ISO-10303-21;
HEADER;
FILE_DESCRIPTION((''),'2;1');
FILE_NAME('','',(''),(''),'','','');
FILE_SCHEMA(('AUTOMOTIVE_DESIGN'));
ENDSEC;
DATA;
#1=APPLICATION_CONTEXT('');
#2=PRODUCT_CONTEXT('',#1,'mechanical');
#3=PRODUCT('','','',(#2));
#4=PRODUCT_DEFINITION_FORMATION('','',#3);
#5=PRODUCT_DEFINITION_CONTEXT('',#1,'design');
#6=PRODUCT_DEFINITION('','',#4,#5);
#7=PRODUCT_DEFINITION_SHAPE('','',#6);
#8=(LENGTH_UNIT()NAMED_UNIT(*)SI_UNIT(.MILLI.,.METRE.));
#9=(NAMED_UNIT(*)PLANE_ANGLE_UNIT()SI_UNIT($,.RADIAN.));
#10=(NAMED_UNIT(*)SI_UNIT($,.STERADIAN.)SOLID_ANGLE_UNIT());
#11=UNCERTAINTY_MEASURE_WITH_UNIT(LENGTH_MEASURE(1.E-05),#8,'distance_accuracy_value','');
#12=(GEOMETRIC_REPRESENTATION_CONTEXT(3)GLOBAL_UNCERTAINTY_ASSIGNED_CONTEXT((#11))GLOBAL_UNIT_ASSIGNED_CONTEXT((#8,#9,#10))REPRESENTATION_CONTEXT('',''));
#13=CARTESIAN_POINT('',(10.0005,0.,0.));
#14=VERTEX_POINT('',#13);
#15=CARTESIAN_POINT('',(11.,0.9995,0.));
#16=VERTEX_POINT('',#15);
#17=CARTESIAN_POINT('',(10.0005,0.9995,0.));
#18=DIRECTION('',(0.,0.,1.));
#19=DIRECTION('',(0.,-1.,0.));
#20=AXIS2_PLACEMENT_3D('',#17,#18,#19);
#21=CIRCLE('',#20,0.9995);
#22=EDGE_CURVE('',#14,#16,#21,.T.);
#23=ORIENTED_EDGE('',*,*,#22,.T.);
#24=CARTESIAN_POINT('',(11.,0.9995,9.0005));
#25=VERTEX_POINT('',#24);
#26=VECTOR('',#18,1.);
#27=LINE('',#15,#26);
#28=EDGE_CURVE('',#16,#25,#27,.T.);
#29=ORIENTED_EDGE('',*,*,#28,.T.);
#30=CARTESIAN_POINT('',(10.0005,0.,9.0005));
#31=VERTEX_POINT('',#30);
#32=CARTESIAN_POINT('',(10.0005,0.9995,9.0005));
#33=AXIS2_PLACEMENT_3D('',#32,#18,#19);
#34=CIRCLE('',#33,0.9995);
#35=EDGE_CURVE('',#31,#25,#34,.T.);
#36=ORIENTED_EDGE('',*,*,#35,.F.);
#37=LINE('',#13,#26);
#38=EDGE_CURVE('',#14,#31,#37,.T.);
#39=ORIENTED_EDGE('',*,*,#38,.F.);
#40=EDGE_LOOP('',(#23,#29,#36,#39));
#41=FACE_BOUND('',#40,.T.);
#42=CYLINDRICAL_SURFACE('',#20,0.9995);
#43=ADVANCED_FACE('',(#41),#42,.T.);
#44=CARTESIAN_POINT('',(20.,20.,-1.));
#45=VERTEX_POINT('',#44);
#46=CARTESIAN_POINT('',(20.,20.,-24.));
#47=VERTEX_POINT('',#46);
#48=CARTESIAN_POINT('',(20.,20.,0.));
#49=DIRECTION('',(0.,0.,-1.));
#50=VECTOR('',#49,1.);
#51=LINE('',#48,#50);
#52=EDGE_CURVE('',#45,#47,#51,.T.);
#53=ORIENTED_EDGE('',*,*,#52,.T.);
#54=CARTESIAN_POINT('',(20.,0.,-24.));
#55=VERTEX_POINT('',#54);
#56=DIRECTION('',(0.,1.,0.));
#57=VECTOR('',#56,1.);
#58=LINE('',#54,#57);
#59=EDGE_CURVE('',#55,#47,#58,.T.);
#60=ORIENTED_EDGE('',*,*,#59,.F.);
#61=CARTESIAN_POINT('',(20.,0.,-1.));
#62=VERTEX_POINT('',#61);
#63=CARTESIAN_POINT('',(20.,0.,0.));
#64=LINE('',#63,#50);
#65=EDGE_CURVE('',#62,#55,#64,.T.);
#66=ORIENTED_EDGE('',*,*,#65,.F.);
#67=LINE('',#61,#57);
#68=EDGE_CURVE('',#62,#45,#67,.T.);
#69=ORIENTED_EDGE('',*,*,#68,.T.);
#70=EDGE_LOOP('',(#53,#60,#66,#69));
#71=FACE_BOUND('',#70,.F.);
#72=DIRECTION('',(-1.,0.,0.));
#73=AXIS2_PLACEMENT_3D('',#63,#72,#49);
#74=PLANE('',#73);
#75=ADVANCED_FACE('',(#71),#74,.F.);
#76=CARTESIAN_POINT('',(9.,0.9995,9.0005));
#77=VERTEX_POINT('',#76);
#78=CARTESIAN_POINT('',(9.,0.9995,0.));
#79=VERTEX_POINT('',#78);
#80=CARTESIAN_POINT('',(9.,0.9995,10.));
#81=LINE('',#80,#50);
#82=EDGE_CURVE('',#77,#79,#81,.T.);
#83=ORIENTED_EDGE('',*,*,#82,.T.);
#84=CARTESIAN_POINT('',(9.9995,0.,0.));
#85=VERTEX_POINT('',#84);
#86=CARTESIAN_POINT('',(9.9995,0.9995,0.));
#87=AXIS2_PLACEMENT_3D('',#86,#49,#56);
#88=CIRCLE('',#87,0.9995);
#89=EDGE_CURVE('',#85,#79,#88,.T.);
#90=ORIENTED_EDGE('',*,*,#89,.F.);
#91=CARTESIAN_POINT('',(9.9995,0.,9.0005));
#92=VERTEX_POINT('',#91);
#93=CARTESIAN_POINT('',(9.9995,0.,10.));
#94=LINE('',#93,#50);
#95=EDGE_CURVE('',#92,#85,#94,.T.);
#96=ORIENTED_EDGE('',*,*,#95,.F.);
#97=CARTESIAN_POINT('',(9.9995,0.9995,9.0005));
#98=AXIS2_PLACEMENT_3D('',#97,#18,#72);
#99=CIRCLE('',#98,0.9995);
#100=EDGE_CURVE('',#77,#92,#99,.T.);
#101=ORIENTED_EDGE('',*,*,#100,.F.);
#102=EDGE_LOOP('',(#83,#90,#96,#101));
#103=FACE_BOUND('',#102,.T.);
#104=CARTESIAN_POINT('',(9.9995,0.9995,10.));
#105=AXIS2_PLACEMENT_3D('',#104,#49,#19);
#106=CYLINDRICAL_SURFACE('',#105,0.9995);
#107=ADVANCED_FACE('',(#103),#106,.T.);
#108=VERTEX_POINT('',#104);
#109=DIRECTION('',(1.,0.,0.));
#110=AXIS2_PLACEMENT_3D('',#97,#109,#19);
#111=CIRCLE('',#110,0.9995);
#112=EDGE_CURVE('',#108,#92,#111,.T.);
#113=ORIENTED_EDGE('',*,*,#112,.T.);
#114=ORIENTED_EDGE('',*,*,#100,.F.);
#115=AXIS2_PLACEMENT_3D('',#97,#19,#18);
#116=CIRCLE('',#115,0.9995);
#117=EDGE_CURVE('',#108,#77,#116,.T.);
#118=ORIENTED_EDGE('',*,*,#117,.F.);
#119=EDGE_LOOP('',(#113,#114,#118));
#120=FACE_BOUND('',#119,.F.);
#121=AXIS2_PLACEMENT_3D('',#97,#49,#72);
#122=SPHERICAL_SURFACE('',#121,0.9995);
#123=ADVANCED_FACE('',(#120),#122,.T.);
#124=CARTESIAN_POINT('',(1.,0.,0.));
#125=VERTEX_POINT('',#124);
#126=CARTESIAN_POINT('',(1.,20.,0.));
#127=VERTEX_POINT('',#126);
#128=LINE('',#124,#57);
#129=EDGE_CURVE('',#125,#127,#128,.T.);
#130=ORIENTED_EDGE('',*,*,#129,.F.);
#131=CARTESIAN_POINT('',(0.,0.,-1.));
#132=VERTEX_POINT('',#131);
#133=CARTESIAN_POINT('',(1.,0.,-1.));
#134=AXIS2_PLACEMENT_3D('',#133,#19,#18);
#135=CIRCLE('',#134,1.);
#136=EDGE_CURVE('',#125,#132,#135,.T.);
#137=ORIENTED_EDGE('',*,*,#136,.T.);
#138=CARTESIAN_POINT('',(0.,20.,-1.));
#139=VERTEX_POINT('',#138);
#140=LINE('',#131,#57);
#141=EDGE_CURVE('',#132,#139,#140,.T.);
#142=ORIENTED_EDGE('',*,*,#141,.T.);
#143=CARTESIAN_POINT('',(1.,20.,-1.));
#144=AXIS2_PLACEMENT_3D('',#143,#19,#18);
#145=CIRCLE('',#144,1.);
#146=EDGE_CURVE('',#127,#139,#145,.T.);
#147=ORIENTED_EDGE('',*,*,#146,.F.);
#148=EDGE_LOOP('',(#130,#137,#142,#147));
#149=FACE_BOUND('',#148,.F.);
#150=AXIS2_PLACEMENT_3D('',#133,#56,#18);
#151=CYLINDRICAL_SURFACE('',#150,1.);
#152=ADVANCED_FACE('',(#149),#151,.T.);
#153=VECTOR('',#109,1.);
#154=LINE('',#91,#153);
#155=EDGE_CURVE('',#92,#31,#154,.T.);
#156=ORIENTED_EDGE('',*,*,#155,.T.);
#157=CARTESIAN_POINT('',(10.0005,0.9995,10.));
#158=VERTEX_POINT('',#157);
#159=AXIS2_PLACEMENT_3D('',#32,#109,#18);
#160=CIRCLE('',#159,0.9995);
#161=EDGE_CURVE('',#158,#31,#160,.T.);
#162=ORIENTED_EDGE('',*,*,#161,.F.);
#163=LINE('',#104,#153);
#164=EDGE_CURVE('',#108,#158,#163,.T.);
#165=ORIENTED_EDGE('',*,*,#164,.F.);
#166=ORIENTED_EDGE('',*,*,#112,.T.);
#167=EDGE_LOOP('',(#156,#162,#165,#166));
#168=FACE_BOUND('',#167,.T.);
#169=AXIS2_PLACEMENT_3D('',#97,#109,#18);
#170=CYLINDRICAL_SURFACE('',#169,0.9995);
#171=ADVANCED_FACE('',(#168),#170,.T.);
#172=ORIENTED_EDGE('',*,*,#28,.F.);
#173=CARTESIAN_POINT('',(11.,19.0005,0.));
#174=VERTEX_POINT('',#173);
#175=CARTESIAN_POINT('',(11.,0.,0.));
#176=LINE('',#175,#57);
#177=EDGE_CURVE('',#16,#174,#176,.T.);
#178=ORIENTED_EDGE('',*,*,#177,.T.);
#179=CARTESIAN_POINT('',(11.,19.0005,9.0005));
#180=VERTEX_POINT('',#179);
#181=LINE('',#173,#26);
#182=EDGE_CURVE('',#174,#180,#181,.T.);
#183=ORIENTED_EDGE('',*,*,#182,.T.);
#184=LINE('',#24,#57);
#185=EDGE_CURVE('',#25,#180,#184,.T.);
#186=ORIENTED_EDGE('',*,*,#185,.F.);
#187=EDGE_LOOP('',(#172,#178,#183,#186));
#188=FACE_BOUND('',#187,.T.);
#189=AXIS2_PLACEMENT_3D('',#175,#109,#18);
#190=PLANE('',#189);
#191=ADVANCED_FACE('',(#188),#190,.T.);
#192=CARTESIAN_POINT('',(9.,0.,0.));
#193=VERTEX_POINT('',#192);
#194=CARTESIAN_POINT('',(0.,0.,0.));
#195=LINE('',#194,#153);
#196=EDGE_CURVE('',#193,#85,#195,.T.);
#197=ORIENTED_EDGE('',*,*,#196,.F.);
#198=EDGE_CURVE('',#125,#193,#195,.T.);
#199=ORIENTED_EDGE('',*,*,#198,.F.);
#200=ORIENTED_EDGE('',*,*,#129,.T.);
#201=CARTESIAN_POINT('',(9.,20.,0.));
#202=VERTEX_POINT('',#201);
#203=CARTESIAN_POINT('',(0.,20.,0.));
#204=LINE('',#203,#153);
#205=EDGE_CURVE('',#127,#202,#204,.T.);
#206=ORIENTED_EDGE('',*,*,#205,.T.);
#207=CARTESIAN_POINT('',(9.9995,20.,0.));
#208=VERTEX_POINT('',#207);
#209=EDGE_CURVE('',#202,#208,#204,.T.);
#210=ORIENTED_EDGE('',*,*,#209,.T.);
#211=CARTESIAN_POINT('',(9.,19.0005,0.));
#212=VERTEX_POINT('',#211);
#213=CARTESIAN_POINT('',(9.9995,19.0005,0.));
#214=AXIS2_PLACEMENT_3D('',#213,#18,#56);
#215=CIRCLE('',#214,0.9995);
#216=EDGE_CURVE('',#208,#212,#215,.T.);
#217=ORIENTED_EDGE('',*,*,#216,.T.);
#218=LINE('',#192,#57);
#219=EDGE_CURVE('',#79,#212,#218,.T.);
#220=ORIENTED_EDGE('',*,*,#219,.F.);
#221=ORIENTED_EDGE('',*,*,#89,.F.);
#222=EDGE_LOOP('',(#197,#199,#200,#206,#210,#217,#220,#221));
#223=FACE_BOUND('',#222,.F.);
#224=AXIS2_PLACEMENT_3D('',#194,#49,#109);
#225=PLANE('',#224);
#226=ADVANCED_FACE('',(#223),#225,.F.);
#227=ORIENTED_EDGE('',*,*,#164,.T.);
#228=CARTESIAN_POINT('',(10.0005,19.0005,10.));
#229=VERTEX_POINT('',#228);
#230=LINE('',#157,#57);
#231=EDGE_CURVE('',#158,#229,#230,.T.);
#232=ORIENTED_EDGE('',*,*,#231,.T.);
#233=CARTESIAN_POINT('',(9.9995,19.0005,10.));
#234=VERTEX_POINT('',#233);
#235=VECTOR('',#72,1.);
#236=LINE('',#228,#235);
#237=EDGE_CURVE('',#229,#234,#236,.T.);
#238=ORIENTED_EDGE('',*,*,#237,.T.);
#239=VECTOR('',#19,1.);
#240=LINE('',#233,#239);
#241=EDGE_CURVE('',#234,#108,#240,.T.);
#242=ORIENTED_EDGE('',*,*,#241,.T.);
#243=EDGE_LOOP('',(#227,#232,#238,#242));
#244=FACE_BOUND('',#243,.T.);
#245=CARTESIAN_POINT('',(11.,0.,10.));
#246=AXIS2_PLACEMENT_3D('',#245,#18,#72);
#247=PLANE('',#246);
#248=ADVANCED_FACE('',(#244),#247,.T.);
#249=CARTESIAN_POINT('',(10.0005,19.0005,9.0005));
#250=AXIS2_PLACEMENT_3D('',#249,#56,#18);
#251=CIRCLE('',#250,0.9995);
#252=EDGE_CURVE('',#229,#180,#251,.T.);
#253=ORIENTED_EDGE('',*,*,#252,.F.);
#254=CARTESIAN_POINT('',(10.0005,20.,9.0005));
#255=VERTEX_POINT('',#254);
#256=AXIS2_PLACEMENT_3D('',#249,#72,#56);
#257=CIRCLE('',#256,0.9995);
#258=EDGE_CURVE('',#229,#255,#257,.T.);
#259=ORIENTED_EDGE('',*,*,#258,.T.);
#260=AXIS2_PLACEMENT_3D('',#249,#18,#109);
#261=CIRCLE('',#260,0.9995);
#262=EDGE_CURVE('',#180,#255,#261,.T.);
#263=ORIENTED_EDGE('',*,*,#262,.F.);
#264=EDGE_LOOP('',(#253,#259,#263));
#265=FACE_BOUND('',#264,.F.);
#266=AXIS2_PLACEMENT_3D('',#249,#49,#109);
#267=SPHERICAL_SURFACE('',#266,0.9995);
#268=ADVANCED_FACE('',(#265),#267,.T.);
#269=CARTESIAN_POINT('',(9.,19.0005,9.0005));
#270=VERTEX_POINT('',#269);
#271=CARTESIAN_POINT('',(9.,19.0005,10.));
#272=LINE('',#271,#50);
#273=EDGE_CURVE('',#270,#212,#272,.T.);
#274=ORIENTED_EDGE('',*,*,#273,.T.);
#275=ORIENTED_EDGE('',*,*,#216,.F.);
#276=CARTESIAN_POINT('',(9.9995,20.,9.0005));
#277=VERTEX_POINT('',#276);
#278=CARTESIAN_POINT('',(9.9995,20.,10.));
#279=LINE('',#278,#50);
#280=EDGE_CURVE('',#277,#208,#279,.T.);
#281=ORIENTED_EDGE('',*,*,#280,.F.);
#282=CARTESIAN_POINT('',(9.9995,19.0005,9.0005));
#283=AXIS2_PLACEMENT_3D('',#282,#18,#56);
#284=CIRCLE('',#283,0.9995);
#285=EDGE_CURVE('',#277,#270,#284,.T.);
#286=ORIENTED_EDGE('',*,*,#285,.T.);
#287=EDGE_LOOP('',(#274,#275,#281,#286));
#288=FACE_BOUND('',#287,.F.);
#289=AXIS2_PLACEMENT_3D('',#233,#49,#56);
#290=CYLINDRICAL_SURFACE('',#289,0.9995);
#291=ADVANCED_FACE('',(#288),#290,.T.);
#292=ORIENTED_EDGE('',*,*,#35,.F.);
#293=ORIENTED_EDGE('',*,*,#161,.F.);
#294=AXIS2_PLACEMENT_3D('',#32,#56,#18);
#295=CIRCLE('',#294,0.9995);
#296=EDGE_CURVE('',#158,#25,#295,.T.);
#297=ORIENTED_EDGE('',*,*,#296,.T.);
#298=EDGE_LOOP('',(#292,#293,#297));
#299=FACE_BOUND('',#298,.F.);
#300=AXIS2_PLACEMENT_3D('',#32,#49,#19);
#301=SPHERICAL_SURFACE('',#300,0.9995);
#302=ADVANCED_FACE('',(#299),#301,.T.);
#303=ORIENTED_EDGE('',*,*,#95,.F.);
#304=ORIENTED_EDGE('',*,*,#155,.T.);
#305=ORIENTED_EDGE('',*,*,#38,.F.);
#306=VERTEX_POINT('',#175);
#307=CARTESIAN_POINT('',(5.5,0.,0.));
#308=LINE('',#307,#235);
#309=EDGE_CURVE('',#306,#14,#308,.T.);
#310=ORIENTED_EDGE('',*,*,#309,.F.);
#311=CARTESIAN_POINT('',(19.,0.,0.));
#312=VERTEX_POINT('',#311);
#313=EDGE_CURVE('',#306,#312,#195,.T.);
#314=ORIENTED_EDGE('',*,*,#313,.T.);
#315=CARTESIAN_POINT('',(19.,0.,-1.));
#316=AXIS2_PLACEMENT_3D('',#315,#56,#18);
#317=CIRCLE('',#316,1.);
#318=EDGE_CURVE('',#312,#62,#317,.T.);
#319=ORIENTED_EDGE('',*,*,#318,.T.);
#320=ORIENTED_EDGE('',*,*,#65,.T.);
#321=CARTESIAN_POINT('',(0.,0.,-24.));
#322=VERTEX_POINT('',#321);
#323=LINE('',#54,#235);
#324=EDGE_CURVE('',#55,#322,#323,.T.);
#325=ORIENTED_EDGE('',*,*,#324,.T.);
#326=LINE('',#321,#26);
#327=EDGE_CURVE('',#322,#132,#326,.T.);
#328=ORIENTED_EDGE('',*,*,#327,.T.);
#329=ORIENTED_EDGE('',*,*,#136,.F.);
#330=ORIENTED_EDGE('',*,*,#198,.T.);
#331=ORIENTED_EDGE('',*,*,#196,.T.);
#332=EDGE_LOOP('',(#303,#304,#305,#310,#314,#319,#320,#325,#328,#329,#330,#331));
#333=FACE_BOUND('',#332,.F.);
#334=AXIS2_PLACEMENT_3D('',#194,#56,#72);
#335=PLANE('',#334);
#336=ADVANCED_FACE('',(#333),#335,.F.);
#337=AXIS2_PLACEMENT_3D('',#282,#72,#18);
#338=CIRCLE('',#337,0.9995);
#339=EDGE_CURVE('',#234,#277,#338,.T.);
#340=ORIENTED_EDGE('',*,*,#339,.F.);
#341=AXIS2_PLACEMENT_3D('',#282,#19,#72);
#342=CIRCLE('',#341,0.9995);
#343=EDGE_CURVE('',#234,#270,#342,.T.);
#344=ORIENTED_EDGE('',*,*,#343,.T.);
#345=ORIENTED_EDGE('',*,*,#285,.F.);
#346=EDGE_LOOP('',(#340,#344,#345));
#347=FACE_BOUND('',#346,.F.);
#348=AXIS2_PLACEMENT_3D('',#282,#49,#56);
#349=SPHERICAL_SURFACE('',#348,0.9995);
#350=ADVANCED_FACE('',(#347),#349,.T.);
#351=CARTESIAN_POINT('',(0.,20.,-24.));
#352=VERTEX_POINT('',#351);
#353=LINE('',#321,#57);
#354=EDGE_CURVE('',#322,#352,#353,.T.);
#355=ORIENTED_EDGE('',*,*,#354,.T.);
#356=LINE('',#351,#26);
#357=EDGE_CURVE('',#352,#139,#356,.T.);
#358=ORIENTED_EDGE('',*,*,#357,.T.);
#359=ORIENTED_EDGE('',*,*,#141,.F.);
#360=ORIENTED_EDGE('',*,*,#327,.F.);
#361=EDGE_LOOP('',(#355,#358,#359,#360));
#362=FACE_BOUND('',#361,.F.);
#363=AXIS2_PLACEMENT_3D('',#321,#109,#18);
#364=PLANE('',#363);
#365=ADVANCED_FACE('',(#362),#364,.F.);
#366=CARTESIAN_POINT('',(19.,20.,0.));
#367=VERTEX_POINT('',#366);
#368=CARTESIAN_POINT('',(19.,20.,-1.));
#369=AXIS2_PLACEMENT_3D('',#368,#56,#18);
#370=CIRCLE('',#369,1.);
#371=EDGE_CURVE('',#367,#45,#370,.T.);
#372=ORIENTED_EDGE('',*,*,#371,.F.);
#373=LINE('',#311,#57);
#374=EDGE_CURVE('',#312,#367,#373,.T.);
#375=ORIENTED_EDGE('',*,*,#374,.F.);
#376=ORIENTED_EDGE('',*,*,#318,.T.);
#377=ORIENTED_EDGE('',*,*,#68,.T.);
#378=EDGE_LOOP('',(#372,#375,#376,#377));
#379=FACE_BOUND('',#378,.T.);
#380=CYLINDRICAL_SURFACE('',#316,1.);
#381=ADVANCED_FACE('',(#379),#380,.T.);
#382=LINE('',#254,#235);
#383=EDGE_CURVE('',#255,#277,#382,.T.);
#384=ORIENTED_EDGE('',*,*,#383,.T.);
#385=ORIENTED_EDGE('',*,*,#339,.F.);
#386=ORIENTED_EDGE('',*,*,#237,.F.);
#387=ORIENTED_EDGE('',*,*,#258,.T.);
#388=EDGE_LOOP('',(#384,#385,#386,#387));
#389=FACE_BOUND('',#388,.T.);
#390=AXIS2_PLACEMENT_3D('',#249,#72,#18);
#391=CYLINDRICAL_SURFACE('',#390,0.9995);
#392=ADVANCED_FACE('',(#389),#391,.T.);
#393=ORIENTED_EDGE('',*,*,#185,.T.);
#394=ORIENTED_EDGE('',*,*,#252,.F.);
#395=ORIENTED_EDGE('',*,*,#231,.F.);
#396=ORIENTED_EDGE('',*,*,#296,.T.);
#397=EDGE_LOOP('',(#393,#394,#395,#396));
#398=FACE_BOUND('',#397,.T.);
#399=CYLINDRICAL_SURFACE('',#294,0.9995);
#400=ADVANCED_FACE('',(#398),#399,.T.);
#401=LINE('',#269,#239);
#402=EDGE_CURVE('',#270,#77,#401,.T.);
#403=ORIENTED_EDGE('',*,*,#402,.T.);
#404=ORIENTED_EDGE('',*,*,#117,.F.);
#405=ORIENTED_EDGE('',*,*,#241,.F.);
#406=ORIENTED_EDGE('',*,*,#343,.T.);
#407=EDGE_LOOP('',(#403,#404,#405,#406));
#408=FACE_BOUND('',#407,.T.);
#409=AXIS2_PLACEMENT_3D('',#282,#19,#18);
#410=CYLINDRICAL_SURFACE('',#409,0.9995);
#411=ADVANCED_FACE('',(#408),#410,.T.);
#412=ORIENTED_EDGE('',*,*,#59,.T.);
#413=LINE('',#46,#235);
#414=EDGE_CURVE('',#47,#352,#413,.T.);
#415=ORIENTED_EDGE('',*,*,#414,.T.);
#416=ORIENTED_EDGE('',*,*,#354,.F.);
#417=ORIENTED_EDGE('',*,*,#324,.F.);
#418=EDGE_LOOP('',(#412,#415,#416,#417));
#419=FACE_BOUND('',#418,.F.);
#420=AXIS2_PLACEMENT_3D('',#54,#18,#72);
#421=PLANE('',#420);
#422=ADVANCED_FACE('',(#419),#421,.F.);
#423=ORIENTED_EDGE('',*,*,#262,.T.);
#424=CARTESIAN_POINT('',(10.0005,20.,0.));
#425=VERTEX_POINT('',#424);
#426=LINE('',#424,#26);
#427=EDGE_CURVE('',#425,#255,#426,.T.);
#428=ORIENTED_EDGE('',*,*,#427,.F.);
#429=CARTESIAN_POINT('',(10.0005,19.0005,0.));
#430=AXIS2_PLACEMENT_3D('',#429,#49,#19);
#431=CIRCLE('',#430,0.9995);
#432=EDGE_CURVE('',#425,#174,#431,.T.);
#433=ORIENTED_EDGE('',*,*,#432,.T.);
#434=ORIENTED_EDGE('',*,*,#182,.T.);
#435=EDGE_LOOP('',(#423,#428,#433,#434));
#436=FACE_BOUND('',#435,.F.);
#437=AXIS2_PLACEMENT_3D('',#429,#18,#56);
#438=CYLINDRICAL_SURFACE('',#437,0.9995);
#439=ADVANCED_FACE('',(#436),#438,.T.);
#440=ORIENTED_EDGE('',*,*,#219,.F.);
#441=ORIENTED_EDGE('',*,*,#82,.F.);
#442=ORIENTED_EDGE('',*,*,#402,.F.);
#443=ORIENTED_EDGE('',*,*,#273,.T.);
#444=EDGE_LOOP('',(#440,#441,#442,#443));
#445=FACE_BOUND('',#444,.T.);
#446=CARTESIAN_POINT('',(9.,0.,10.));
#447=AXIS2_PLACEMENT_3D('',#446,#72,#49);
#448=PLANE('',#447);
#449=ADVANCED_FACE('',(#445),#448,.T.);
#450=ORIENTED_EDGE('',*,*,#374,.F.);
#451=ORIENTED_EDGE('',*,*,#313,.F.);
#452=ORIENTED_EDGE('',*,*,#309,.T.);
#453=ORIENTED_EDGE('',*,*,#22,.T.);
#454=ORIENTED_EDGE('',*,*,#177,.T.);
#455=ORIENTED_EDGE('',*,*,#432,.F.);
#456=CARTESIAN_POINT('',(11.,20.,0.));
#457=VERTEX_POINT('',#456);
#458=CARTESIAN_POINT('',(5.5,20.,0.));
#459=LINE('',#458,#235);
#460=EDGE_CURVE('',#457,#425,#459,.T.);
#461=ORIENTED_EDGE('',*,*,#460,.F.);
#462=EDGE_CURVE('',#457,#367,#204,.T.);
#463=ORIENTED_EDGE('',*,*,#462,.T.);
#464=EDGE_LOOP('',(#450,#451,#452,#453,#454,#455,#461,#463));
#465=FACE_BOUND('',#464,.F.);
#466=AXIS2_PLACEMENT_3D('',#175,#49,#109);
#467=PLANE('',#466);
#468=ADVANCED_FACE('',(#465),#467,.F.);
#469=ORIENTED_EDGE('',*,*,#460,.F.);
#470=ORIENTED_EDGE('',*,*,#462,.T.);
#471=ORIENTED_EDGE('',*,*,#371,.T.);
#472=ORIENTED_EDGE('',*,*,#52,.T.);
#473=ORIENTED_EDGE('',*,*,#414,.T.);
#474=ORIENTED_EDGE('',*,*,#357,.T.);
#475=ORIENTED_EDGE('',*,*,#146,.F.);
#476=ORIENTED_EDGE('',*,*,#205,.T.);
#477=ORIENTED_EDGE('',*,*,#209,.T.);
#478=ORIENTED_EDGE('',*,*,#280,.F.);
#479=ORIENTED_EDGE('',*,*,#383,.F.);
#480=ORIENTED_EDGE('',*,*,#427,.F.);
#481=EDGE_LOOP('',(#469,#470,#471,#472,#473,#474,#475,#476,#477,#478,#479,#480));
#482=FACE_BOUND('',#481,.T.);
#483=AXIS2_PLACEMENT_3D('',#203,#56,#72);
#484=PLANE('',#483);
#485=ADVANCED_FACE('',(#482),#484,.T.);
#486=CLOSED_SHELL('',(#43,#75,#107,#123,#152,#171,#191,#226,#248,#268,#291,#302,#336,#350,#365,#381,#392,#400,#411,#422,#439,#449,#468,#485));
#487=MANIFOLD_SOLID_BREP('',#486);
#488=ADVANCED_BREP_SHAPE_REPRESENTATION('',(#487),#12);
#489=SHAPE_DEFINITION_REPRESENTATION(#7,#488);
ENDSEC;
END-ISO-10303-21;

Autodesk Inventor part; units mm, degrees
ref_plane "YZ Plane" through (0, 0, 0) normal (1, 0, 0) x (0, 1, 0)
ref_plane "XZ Plane" through (0, 0, 0) normal (0, 1, 0) x (-1, 0, 0)
ref_plane "XY Plane" through (0, 0, 0) normal (0, 0, 1) x (1, 0, 0)
sketch "Sketch1" plane through (0, 0, 0) normal (0, 1, 0) x (-1, 0, 0)
  line L0 (0, 0) -> (-20, 0)
  line L1 (-20, 0) -> (-20, -24)
  line L2 (-20, -24) -> (0, -24)
  line L3 (0, -24) -> (0, 0)
  line L4 (-9, 0) -> (-11, 0)
  line L5 (-11, 0) -> (-11, 10)
  line L6 (-11, 10) -> (-9, 10)
  line L7 (-9, 10) -> (-9, 0)
  dimension "d0" = 20
  dimension "d1" = 24
  dimension "d2" = 2
  dimension "d3" = 10
  dimension "d4" = 9
extrude "Extrusion1" add sketch "Sketch1" along normal blind 20
fillet "Fillet1" radius 1 4 edges at (9, 20, 5) (9, 0, 5) (11, 0, 5) (11, 20, 5)
fillet "Fillet2" radius 1 4 edges at (11, 10, 10) (9.2927, 19.7073, 10) (9, 10, 10) (9.2927, 0.2927, 10)
fillet "Fillet3" radius 1 2 edges at (20, 10, 0) (0, 10, 0)
properties part number "veg_kapcs_erzekelo_meretezett"
